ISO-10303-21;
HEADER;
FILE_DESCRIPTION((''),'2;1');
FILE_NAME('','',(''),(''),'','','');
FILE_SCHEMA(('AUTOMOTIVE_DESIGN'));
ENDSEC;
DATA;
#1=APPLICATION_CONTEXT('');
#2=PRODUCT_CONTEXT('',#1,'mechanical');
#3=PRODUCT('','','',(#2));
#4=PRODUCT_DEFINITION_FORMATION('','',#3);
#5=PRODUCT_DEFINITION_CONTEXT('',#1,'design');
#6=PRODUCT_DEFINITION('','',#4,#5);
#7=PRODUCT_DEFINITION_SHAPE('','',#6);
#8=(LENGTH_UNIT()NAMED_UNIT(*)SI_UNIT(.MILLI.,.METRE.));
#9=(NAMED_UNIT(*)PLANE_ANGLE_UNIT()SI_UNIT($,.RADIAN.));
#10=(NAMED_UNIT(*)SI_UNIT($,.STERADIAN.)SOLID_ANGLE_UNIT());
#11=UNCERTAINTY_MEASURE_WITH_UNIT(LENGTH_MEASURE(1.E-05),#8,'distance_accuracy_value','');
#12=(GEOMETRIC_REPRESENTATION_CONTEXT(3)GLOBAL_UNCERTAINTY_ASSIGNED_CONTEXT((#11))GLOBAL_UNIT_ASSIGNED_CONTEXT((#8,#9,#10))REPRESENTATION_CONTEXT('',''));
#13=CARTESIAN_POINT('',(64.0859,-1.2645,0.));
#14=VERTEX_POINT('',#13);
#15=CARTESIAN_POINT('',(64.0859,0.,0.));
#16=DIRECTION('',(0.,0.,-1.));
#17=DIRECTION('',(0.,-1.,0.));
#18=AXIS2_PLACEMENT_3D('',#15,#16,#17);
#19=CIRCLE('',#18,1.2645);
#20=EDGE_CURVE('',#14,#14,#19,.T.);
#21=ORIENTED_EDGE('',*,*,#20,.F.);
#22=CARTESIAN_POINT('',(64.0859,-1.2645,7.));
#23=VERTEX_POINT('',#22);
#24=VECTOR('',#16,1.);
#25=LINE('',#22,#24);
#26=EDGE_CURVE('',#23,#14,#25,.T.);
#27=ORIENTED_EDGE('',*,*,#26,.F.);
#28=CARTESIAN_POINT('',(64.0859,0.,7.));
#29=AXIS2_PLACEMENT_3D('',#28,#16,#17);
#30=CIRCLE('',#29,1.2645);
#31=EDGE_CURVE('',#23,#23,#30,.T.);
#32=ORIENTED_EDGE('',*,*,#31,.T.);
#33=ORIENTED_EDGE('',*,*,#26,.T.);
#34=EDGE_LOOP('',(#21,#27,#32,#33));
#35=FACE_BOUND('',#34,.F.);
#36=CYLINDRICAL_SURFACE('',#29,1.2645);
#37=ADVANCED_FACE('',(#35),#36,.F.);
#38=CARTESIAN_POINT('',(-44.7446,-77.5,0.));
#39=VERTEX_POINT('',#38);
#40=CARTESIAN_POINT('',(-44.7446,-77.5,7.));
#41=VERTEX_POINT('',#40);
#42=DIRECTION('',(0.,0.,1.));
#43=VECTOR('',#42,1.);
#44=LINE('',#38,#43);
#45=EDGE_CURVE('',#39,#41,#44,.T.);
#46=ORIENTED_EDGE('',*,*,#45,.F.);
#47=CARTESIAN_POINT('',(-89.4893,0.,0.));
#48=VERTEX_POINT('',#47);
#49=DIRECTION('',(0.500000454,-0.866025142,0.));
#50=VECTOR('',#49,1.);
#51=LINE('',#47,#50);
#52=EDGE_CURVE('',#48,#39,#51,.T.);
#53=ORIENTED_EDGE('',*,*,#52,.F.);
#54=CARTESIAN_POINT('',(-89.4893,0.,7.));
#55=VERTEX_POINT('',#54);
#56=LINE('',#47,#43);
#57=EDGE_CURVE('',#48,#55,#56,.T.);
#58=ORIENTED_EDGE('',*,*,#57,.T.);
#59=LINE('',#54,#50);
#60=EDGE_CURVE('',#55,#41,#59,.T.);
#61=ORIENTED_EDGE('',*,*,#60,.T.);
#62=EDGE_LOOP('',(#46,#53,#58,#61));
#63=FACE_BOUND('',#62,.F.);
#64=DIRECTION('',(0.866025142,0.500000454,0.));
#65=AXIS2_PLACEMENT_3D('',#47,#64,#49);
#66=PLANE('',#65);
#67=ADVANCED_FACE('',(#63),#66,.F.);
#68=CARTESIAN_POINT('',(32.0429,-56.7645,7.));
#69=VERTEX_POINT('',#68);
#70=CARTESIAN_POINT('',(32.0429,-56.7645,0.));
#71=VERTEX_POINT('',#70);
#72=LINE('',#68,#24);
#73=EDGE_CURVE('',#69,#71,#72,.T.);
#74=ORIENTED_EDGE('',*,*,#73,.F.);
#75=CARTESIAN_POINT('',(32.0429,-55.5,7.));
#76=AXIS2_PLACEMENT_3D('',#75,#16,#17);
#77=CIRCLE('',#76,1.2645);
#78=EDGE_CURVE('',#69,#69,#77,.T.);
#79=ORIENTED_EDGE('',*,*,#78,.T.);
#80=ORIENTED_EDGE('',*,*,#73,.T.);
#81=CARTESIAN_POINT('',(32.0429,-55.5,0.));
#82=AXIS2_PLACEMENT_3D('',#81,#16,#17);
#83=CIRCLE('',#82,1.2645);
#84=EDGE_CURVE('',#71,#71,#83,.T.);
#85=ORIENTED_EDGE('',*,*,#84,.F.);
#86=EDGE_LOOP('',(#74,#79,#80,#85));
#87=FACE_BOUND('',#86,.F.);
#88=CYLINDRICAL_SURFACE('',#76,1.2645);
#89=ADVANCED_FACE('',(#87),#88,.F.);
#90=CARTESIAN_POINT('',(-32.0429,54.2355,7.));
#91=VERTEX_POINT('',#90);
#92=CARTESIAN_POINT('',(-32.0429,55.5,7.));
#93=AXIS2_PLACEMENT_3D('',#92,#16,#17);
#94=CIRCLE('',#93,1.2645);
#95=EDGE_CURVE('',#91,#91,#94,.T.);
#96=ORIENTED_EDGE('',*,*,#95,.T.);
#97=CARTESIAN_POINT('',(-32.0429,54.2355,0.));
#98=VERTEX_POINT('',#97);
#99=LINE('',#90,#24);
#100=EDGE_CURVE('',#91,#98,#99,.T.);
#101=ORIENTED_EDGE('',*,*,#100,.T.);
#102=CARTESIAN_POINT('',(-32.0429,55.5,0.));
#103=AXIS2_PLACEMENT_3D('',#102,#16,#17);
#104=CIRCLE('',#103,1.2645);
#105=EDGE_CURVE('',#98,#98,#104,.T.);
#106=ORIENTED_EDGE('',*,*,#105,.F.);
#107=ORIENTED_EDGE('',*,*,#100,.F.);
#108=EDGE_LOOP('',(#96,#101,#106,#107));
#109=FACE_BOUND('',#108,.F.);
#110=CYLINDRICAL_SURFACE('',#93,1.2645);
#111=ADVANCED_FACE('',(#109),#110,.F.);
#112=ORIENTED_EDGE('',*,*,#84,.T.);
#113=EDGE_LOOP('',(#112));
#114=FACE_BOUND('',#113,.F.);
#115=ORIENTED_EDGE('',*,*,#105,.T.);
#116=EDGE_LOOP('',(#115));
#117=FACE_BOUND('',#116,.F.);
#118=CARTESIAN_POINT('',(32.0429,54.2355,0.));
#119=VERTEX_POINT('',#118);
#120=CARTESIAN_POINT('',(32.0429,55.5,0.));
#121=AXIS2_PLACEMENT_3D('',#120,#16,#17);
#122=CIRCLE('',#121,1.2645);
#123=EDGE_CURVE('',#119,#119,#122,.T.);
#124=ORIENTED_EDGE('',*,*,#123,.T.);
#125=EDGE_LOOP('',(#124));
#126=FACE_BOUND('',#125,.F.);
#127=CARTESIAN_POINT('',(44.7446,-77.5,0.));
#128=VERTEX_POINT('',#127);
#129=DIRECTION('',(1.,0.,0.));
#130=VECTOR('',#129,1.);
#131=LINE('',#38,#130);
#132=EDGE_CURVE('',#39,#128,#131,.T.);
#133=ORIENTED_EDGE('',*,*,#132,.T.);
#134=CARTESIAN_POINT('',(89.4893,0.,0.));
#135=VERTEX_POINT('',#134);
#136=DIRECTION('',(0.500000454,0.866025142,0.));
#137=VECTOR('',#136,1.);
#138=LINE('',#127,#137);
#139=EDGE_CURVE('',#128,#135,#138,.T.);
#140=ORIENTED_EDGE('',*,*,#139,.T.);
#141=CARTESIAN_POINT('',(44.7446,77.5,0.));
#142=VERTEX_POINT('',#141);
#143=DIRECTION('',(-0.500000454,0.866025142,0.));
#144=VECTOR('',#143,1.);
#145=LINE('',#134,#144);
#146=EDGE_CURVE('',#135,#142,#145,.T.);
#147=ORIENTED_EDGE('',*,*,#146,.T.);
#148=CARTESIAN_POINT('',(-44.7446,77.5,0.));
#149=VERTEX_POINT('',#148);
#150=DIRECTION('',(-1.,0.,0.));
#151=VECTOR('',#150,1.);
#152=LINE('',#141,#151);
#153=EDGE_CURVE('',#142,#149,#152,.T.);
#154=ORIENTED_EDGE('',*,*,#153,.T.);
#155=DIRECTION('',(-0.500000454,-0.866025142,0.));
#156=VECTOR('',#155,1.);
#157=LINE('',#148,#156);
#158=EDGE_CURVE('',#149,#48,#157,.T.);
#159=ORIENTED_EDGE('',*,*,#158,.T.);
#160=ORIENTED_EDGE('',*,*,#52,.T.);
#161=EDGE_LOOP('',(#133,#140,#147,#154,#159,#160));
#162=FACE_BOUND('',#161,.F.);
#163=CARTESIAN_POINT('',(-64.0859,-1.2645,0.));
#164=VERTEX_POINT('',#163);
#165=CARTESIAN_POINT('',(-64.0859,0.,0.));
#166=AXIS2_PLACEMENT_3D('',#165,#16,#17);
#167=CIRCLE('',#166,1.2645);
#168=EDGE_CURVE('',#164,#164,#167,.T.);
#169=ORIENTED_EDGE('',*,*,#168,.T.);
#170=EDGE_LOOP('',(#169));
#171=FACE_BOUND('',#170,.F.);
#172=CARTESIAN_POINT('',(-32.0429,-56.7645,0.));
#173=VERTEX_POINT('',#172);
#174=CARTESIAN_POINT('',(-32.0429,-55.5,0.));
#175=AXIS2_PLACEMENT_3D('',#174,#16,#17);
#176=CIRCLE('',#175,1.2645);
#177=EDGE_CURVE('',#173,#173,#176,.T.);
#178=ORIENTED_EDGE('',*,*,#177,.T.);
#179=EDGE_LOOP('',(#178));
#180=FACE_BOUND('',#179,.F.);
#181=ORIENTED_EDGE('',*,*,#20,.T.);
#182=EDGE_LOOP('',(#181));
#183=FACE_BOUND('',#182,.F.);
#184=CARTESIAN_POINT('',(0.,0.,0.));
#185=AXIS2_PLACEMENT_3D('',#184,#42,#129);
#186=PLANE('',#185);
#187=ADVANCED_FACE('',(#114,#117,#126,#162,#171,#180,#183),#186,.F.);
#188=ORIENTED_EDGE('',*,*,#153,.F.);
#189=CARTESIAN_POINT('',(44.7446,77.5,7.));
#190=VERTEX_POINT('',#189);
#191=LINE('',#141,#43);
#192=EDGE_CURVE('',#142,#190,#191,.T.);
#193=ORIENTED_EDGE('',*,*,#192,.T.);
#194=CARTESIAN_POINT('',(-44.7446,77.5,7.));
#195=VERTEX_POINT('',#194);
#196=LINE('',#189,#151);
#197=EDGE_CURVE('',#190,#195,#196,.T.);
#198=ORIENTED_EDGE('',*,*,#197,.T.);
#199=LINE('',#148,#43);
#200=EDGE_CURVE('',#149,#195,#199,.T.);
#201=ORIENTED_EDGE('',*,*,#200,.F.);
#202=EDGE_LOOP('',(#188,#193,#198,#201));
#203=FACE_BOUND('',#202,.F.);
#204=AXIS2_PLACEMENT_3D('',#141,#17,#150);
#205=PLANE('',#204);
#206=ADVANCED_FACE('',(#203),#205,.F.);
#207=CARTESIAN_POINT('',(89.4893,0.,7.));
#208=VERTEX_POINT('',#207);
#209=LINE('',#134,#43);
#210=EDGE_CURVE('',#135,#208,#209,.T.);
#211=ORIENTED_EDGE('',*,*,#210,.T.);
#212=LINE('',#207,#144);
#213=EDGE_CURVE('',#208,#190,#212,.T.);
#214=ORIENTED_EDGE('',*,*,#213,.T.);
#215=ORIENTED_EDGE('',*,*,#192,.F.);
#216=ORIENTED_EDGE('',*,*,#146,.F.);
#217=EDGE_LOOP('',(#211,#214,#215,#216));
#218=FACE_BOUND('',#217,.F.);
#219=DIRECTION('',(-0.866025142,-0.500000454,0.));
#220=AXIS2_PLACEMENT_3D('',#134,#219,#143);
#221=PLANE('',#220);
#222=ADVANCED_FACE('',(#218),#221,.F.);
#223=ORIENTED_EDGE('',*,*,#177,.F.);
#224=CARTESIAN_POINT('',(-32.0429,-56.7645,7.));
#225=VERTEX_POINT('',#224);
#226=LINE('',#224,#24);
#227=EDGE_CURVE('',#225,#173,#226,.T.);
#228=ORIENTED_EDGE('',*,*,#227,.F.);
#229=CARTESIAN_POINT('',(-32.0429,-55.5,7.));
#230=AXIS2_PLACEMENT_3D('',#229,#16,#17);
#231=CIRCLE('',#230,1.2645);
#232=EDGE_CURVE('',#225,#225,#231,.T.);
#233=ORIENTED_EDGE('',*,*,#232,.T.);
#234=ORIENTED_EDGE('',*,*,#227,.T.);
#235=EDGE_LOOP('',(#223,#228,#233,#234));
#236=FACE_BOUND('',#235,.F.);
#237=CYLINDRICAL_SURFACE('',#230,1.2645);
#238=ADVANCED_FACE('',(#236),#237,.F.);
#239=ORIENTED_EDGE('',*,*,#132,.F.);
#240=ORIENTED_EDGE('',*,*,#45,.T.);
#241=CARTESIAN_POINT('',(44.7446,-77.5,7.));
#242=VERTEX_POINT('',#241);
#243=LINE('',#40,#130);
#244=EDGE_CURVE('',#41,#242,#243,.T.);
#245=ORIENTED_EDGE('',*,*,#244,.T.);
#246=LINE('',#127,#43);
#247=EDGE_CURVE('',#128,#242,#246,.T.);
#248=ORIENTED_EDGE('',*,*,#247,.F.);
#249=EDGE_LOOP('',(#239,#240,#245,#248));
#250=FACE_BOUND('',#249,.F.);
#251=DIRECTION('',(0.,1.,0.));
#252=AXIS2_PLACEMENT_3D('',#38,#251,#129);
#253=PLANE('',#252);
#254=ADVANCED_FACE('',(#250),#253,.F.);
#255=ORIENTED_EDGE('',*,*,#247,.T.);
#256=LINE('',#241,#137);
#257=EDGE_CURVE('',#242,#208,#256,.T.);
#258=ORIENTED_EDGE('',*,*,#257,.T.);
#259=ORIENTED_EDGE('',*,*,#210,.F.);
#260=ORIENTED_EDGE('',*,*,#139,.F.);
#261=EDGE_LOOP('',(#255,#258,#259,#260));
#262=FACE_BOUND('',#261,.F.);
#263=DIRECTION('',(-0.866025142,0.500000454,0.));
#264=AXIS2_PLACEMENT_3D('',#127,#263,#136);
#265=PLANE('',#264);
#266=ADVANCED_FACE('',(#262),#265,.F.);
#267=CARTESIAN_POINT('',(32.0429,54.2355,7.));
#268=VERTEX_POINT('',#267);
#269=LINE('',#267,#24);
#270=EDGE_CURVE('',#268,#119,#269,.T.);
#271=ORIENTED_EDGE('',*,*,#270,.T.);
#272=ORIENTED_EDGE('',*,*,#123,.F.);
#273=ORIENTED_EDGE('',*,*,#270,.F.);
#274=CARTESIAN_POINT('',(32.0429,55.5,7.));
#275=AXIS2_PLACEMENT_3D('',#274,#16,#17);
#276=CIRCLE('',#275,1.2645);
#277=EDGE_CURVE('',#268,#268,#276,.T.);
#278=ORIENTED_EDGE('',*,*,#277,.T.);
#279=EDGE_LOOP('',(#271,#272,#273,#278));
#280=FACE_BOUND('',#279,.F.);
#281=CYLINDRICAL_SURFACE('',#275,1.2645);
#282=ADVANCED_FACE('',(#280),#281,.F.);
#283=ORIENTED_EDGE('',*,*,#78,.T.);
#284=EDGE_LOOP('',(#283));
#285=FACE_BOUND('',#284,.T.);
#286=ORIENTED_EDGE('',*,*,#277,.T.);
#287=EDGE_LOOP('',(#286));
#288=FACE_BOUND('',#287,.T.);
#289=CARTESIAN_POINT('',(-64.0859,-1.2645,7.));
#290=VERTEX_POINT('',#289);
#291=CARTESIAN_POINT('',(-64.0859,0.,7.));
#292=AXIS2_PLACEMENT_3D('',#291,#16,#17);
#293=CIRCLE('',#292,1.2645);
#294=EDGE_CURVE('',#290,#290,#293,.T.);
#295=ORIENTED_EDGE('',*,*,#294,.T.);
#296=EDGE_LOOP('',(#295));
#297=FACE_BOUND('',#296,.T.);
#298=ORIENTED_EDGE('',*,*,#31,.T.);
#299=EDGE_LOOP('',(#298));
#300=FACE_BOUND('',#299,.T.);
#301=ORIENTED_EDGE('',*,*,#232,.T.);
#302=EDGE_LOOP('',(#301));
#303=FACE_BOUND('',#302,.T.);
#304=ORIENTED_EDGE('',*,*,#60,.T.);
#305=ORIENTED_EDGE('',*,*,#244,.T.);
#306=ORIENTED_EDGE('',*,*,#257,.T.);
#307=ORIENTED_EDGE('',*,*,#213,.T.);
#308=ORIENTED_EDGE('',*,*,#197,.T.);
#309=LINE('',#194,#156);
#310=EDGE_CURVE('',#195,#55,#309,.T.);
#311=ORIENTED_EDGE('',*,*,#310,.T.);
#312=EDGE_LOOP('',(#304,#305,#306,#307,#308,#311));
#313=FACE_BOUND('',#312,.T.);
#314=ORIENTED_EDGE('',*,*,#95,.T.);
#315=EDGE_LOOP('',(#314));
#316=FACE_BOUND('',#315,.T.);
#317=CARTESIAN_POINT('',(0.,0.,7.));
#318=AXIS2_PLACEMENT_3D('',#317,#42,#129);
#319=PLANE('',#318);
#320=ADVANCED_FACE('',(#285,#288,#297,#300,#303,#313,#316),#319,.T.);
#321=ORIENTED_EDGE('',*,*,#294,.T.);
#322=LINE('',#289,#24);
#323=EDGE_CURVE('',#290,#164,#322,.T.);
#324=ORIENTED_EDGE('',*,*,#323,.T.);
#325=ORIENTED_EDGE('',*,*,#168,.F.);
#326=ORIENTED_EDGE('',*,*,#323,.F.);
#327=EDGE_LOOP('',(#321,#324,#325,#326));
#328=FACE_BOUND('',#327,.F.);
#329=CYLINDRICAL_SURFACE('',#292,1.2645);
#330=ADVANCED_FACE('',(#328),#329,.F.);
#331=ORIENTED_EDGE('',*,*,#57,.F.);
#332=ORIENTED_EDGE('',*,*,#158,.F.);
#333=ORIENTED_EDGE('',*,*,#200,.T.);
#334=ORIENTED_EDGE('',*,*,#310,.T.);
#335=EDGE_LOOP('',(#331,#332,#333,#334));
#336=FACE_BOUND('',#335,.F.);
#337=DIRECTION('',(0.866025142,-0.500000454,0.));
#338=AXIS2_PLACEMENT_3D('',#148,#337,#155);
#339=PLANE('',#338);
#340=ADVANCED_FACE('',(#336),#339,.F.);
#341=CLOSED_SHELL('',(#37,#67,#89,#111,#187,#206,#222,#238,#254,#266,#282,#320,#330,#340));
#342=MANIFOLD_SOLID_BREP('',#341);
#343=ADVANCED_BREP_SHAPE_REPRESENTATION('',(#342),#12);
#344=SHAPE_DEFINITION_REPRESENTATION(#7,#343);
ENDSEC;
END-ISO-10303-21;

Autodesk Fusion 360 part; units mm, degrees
sketch "Sketch1" plane through (0, 0, 0) normal (0, 0, 1) x (1, 0, 0)
  line L0 (44.7446, 77.5) -> (-44.7446, 77.5)
  line L1 (-44.7446, 77.5) -> (-89.4893, 0)
  line L2 (-89.4893, 0) -> (-44.7446, -77.5)
  line L3 (-44.7446, -77.5) -> (44.7446, -77.5)
  line L4 (44.7446, -77.5) -> (89.4893, 0)
  line L5 (89.4893, 0) -> (44.7446, 77.5)
  dimension "d1" = 77.5
extrude "Extrude1" add sketch "Sketch1" along normal blind 7
sketch "Sketch2" plane through (0, 0, 7) normal (0, 0, 1) x (-1, 0, 0)
  line L0 (-89.4893, 0) -> (-44.7446, -77.5)
  line L1 (-44.7446, -77.5) -> (44.7446, -77.5)
  line L2 (44.7446, -77.5) -> (89.4893, 0)
  line L3 (89.4893, 0) -> (44.7446, 77.5)
  line L4 (44.7446, 77.5) -> (-44.7446, 77.5)
  line L5 (-44.7446, 77.5) -> (-89.4893, 0)
  line L6 (-32.0429, -77.5) -> (-32.0429, -55.5) construction
  line L7 (-51.0955, -66.5) -> (-32.0429, -55.5) construction
  line L8 (51.0955, -66.5) -> (32.0429, -55.5) construction
  line L9 (32.0429, -77.5) -> (32.0429, -55.5) construction
  line L10 (-83.1384, -11) -> (-64.0859, 0) construction
  line L11 (-83.1384, 11) -> (-64.0859, 0) construction
  line L12 (-32.0429, -77.5) -> (-32.0429, -55.5) construction
  line L13 (-51.0955, -66.5) -> (-32.0429, -55.5) construction
  line L14 (83.1384, 11) -> (64.0859, 0) construction
  line L15 (83.1384, -11) -> (64.0859, 0) construction
  line L16 (32.0429, 77.5) -> (32.0429, 55.5) construction
  line L17 (51.0955, 66.5) -> (32.0429, 55.5) construction
  line L18 (83.1384, 11) -> (64.0859, 0) construction
  line L19 (83.1384, -11) -> (64.0859, 0) construction
  line L20 (-51.0955, 66.5) -> (-32.0429, 55.5) construction
  line L21 (-32.0429, 77.5) -> (-32.0429, 55.5) construction
  circle A0 centre (-32.0429, 55.5) radius 1.5
  circle A1 centre (-64.0859, 0) radius 1.5
  circle A2 centre (-32.0429, -55.5) radius 1.5
  circle A3 centre (32.0429, -55.5) radius 1.5
  circle A4 centre (64.0859, 0) radius 1.5
  circle A5 centre (32.0429, 55.5) radius 1.5
  dimension "d4" = 22
  dimension "d5" = 22
  dimension "d6" = 22
  dimension "d7" = 22
  dimension "d8" = 22
  dimension "d9" = 22
  dimension "d10" = 22
  dimension "d11" = 22
  dimension "d12" = 22
  dimension "d13" = 22
  dimension "d14" = 22
  dimension "d15" = 22
  dimension "d16" = 22
  dimension "d17" = 22
  dimension "d18" = 22
  dimension "d19" = 22
  dimension "d20" = 3
  dimension "d21" = 3
  dimension "d22" = 3
  dimension "d23" = 3
  dimension "d24" = 3
  dimension "d25" = 3
hole "Hole1" at (32.0429, 55.5, 7) at (64.0859, 0, 7) at (32.0429, -55.5, 7) at (-32.0429, -55.5, 7) at (-32.0429, 55.5, 7) at (-64.0859, 0, 7) direction (0, 0, -1) diameter 2.529 end through all
